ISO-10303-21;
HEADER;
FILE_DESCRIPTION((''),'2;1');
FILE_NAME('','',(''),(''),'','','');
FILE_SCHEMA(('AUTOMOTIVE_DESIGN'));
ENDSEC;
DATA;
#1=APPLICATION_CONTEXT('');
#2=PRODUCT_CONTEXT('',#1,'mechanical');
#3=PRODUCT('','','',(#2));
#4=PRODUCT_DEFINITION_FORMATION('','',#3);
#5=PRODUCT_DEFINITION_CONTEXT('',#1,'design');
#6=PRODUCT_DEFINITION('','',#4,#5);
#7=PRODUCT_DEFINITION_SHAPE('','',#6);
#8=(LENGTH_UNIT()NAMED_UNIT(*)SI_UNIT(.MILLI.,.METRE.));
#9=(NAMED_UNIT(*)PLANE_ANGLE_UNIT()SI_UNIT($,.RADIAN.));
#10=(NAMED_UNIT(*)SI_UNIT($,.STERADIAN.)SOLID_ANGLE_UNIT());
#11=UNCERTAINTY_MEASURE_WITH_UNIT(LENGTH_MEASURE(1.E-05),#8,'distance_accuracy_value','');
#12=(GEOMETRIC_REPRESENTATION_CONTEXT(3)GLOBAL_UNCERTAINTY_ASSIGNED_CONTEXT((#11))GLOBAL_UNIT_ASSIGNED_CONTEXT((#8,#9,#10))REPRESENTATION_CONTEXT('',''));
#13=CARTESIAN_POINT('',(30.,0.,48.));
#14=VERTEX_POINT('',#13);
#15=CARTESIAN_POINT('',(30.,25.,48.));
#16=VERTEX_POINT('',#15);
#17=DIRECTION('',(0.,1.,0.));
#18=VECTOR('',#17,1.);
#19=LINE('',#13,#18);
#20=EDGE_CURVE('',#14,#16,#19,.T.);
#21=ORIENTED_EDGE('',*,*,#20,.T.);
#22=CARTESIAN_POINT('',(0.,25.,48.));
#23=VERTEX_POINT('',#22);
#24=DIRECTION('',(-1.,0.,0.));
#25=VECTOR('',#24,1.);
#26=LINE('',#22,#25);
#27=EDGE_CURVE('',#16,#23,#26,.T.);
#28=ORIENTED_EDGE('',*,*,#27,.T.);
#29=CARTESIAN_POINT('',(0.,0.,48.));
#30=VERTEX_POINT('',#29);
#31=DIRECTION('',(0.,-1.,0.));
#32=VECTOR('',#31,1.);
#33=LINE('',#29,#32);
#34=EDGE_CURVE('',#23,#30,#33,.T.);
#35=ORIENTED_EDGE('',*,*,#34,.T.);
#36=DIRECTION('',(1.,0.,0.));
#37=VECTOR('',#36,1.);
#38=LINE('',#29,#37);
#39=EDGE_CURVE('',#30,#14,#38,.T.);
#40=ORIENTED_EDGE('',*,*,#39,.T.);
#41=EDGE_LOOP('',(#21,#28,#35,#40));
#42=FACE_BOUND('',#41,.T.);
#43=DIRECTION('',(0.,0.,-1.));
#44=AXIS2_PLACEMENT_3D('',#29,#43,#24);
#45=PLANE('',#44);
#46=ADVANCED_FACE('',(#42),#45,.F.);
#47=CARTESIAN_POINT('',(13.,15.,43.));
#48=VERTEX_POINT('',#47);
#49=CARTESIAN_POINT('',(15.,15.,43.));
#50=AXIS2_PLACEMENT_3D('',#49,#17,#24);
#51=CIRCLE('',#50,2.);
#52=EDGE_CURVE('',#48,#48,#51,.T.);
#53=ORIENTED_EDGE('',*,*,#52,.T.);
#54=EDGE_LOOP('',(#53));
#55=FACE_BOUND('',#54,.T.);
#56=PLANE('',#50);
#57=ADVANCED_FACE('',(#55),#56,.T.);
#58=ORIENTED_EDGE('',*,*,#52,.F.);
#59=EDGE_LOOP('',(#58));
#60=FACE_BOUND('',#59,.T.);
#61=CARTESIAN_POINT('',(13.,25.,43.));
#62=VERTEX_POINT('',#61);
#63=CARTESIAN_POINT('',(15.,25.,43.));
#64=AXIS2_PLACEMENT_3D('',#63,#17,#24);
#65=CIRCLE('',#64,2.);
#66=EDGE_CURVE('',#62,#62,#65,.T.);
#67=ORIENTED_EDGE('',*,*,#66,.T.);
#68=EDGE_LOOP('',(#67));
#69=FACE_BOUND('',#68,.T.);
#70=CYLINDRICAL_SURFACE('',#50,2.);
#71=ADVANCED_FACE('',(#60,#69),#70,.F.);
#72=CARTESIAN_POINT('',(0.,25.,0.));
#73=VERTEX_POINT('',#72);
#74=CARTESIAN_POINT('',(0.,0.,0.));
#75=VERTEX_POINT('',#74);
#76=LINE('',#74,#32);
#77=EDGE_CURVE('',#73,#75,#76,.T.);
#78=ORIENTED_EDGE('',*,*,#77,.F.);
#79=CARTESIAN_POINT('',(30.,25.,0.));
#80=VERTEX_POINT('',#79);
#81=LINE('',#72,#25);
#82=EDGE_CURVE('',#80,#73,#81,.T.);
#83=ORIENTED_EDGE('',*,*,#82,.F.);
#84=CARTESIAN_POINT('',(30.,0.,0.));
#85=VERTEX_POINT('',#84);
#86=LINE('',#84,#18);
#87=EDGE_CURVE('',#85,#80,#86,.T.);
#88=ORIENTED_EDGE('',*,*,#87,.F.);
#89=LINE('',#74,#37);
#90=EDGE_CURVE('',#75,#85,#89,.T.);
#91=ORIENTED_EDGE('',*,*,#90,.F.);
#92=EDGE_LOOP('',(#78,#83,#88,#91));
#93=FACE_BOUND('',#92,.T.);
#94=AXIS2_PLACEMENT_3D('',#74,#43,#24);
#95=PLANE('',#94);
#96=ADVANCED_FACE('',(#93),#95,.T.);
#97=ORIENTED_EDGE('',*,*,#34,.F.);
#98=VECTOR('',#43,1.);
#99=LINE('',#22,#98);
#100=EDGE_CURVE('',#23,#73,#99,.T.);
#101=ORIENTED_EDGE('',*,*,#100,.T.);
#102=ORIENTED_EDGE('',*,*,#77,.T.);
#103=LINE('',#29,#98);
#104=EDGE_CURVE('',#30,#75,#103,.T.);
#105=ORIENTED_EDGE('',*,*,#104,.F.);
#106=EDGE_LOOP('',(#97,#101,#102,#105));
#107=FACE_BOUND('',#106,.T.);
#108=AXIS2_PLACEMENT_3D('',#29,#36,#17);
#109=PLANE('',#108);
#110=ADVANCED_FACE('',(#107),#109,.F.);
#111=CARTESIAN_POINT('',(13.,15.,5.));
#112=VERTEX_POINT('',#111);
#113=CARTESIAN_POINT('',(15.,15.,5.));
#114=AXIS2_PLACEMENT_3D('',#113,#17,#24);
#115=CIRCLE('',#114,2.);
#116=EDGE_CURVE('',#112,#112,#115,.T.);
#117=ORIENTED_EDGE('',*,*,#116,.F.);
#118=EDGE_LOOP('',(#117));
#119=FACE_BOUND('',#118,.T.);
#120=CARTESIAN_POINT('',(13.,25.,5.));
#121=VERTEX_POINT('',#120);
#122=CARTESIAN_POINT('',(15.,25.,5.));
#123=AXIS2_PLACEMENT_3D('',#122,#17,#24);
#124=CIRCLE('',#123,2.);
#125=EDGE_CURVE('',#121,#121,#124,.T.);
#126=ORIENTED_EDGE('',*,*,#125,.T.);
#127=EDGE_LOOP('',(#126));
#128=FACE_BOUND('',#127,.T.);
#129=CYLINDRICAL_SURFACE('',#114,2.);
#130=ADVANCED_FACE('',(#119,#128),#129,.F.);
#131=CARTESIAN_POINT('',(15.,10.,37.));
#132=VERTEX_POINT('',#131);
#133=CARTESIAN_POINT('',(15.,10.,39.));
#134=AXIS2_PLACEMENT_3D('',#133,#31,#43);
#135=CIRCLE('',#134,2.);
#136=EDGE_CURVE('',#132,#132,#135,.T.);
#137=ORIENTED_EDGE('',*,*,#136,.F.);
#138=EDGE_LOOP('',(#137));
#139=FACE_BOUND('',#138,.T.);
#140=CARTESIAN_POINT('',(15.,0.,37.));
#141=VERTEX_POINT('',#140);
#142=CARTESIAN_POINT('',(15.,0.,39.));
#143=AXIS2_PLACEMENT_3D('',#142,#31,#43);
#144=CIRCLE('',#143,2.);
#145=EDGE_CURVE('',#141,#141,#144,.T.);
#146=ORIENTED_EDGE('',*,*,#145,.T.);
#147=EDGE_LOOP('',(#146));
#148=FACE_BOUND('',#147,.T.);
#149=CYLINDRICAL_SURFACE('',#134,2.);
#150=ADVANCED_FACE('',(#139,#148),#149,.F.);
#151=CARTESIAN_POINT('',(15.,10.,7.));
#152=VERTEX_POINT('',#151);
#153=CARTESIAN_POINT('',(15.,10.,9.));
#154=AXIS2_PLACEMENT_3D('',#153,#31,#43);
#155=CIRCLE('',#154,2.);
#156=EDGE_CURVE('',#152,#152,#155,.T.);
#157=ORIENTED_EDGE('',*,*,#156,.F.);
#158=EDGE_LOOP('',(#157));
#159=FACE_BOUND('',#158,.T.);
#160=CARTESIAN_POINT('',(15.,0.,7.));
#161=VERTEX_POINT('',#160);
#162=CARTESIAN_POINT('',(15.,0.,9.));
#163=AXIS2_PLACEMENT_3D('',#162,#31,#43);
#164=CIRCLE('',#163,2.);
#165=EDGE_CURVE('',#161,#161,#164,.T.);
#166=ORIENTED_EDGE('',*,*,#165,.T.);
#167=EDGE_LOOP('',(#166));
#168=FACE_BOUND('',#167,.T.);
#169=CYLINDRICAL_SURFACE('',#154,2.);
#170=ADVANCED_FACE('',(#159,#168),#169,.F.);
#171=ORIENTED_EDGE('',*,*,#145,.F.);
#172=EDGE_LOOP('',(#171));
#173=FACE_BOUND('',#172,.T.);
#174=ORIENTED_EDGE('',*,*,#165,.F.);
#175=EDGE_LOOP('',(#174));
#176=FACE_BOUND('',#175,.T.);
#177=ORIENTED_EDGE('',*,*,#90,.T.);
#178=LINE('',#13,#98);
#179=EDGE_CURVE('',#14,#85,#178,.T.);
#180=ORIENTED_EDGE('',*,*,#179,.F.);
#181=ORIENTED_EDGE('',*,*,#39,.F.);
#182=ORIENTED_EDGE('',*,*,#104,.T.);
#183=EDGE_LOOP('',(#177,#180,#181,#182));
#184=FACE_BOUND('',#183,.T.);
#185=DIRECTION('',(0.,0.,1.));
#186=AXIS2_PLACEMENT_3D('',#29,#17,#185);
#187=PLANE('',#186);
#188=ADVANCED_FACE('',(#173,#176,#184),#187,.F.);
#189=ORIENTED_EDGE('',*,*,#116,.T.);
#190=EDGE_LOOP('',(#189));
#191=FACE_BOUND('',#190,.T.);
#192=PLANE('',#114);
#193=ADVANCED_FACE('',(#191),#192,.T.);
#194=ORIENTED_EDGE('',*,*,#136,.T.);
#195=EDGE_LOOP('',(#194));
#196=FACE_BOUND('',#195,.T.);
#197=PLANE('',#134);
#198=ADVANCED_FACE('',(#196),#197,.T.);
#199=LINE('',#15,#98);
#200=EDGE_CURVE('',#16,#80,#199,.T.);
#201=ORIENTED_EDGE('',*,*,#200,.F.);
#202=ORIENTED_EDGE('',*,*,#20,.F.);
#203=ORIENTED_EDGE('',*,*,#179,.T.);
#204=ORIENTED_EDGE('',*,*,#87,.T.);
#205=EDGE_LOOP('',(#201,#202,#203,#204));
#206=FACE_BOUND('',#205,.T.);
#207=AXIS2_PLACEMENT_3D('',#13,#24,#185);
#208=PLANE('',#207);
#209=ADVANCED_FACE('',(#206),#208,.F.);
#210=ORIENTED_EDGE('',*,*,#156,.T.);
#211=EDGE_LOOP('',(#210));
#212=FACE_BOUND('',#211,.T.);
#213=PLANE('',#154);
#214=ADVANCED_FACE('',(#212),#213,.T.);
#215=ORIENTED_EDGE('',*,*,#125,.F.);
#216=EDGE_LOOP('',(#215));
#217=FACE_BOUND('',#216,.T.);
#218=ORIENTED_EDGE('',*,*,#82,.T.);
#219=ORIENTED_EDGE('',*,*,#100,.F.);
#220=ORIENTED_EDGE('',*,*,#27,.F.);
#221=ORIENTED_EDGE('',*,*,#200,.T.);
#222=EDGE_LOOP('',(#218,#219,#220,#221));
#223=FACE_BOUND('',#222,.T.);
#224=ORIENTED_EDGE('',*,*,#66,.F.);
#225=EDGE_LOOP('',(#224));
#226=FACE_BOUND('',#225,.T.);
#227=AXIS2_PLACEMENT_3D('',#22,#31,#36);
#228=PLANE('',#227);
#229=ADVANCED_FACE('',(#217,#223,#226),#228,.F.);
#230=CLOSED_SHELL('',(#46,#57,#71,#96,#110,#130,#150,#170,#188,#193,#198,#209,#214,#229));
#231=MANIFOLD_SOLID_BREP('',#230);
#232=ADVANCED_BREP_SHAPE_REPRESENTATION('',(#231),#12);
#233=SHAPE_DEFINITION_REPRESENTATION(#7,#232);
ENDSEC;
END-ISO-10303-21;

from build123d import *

# Parameters (mm, degrees)
SKETCH1_W           = 30
SKETCH1_H           = 25
BOSS_EXTRUDE1_DEPTH = 48
SKETCH2_R           = 2
CUT_EXTRUDE3_DEPTH  = 10
SKETCH3_R           = 2
CUT_EXTRUDE4_DEPTH  = 10


with BuildPart() as part:
    # Sketch1 → Boss-Extrude1 (new body)
    with BuildSketch(Plane.XY):
        with Locations((15, 12.5)):
            Rectangle(SKETCH1_W, SKETCH1_H)
    extrude(amount=BOSS_EXTRUDE1_DEPTH)

    # Sketch2 → Cut-Extrude3 (cut)
    with BuildSketch(Plane(origin=(0, 25, 0), x_dir=(1, 0, 0), z_dir=(0, 1, 0))):
        with Locations(Location((15, -5, 0), (0, 0, 180))):
            Circle(SKETCH2_R)
        with Locations(Location((15, -43, 0), (0, 0, 180))):
            Circle(SKETCH2_R)
    extrude(amount=-CUT_EXTRUDE3_DEPTH, mode=Mode.SUBTRACT)

    # Sketch3 → Cut-Extrude4 (cut)
    with BuildSketch(Plane.XZ):
        with Locations(Location((15, 39, 0), (0, 0, 270))):
            Circle(SKETCH3_R)
        with Locations(Location((15, 9, 0), (0, 0, 270))):
            Circle(SKETCH3_R)
    extrude(amount=-CUT_EXTRUDE4_DEPTH, mode=Mode.SUBTRACT)


solid = part.part
